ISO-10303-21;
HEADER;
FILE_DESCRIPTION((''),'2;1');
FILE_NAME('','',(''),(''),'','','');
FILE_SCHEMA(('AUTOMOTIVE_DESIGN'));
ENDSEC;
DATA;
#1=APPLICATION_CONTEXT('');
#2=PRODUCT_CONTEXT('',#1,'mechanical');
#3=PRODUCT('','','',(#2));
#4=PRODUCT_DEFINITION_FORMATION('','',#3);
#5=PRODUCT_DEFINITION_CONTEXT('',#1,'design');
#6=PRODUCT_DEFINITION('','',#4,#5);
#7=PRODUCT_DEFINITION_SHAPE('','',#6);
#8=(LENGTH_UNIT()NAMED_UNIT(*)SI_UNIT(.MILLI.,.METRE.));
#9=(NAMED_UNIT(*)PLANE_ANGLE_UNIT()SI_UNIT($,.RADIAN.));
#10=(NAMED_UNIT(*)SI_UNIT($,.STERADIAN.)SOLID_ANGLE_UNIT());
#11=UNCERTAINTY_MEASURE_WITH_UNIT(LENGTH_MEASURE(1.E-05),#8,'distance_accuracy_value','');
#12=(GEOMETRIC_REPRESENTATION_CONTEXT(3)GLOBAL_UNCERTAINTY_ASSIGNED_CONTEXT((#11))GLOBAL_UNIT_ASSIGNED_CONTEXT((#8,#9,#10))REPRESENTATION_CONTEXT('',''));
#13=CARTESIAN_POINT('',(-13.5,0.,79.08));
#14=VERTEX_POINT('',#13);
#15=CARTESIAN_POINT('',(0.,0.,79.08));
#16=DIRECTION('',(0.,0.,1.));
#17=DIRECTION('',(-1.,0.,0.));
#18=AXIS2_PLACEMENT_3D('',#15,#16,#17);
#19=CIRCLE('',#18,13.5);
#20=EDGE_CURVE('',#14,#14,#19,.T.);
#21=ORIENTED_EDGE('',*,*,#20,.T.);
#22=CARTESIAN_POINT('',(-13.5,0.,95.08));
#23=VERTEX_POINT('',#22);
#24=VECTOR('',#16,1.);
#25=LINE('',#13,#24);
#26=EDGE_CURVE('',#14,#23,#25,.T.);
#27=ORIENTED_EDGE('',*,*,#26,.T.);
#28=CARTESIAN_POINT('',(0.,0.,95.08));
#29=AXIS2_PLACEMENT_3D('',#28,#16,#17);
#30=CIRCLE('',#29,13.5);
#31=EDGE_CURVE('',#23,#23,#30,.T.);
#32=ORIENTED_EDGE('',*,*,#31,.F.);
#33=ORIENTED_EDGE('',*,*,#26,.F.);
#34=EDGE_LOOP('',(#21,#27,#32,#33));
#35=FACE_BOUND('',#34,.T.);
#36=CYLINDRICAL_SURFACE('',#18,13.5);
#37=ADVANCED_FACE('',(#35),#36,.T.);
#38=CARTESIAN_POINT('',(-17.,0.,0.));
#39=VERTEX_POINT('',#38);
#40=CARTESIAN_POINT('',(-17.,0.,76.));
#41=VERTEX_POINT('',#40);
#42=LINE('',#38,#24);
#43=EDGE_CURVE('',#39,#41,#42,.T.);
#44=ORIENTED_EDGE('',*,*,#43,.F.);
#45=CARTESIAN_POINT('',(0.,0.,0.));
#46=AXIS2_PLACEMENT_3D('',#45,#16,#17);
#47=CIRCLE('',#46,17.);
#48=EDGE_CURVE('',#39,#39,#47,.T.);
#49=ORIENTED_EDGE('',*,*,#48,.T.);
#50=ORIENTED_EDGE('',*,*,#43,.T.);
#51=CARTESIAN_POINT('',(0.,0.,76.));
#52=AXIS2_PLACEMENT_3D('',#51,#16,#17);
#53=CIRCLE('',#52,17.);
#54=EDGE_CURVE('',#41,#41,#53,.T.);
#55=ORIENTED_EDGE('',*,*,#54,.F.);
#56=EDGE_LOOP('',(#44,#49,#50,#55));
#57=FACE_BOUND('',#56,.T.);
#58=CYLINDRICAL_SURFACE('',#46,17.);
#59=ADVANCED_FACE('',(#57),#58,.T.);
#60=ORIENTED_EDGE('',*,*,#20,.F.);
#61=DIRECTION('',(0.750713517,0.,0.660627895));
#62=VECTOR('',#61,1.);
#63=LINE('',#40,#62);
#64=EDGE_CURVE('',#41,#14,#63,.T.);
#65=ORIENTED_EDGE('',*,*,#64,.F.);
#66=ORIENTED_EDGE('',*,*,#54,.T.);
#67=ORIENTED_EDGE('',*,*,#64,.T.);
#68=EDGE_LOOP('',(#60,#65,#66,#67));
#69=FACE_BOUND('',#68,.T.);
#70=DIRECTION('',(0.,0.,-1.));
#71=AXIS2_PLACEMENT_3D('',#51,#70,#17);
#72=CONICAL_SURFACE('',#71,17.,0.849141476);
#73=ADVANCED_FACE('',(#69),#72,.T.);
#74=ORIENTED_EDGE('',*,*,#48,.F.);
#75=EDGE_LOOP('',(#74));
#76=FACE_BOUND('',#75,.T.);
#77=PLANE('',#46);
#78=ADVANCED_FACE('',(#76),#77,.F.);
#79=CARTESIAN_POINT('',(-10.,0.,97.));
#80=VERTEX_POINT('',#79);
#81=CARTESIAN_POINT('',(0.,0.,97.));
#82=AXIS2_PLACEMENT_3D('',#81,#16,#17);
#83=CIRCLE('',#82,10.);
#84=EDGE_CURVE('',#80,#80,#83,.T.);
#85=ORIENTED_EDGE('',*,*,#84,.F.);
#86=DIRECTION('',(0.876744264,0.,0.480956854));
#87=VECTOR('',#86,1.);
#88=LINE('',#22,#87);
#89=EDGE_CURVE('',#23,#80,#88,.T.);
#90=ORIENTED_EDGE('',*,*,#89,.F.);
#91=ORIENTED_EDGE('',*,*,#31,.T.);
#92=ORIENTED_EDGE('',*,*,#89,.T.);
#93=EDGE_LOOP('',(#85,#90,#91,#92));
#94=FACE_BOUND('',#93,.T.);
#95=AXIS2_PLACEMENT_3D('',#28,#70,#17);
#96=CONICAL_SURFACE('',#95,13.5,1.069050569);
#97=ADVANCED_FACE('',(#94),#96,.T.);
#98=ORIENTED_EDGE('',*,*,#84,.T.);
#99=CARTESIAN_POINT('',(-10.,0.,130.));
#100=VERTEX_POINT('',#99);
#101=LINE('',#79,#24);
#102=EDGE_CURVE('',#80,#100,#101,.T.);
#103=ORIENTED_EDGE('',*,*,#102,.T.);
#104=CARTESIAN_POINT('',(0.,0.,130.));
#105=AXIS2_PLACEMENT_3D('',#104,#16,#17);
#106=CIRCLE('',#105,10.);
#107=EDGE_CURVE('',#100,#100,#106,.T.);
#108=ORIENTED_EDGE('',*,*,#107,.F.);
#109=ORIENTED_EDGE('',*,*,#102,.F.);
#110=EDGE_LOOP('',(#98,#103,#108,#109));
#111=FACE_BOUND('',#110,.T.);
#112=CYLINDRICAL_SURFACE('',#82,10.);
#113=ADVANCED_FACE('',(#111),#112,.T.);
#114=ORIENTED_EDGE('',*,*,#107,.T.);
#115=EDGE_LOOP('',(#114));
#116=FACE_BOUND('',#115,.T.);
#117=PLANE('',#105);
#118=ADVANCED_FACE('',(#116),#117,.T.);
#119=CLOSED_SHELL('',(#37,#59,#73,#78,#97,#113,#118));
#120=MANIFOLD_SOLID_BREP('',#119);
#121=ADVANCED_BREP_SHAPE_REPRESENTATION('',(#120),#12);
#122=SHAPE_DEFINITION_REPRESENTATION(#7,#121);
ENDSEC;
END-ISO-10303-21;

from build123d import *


with BuildPart() as part:
    # Sketch → Revolution (revolve)
    with BuildSketch(Plane.XZ):
        Polygon((0, 0), (-17, 0), (-17, 76), (-13.5, 79.08), (-13.5, 95.08), (-10, 97), (-10, 130), (0, 130), align=None)
    revolve(axis=Axis((0, 0, 0), (0, 0, 1)))


solid = part.part
